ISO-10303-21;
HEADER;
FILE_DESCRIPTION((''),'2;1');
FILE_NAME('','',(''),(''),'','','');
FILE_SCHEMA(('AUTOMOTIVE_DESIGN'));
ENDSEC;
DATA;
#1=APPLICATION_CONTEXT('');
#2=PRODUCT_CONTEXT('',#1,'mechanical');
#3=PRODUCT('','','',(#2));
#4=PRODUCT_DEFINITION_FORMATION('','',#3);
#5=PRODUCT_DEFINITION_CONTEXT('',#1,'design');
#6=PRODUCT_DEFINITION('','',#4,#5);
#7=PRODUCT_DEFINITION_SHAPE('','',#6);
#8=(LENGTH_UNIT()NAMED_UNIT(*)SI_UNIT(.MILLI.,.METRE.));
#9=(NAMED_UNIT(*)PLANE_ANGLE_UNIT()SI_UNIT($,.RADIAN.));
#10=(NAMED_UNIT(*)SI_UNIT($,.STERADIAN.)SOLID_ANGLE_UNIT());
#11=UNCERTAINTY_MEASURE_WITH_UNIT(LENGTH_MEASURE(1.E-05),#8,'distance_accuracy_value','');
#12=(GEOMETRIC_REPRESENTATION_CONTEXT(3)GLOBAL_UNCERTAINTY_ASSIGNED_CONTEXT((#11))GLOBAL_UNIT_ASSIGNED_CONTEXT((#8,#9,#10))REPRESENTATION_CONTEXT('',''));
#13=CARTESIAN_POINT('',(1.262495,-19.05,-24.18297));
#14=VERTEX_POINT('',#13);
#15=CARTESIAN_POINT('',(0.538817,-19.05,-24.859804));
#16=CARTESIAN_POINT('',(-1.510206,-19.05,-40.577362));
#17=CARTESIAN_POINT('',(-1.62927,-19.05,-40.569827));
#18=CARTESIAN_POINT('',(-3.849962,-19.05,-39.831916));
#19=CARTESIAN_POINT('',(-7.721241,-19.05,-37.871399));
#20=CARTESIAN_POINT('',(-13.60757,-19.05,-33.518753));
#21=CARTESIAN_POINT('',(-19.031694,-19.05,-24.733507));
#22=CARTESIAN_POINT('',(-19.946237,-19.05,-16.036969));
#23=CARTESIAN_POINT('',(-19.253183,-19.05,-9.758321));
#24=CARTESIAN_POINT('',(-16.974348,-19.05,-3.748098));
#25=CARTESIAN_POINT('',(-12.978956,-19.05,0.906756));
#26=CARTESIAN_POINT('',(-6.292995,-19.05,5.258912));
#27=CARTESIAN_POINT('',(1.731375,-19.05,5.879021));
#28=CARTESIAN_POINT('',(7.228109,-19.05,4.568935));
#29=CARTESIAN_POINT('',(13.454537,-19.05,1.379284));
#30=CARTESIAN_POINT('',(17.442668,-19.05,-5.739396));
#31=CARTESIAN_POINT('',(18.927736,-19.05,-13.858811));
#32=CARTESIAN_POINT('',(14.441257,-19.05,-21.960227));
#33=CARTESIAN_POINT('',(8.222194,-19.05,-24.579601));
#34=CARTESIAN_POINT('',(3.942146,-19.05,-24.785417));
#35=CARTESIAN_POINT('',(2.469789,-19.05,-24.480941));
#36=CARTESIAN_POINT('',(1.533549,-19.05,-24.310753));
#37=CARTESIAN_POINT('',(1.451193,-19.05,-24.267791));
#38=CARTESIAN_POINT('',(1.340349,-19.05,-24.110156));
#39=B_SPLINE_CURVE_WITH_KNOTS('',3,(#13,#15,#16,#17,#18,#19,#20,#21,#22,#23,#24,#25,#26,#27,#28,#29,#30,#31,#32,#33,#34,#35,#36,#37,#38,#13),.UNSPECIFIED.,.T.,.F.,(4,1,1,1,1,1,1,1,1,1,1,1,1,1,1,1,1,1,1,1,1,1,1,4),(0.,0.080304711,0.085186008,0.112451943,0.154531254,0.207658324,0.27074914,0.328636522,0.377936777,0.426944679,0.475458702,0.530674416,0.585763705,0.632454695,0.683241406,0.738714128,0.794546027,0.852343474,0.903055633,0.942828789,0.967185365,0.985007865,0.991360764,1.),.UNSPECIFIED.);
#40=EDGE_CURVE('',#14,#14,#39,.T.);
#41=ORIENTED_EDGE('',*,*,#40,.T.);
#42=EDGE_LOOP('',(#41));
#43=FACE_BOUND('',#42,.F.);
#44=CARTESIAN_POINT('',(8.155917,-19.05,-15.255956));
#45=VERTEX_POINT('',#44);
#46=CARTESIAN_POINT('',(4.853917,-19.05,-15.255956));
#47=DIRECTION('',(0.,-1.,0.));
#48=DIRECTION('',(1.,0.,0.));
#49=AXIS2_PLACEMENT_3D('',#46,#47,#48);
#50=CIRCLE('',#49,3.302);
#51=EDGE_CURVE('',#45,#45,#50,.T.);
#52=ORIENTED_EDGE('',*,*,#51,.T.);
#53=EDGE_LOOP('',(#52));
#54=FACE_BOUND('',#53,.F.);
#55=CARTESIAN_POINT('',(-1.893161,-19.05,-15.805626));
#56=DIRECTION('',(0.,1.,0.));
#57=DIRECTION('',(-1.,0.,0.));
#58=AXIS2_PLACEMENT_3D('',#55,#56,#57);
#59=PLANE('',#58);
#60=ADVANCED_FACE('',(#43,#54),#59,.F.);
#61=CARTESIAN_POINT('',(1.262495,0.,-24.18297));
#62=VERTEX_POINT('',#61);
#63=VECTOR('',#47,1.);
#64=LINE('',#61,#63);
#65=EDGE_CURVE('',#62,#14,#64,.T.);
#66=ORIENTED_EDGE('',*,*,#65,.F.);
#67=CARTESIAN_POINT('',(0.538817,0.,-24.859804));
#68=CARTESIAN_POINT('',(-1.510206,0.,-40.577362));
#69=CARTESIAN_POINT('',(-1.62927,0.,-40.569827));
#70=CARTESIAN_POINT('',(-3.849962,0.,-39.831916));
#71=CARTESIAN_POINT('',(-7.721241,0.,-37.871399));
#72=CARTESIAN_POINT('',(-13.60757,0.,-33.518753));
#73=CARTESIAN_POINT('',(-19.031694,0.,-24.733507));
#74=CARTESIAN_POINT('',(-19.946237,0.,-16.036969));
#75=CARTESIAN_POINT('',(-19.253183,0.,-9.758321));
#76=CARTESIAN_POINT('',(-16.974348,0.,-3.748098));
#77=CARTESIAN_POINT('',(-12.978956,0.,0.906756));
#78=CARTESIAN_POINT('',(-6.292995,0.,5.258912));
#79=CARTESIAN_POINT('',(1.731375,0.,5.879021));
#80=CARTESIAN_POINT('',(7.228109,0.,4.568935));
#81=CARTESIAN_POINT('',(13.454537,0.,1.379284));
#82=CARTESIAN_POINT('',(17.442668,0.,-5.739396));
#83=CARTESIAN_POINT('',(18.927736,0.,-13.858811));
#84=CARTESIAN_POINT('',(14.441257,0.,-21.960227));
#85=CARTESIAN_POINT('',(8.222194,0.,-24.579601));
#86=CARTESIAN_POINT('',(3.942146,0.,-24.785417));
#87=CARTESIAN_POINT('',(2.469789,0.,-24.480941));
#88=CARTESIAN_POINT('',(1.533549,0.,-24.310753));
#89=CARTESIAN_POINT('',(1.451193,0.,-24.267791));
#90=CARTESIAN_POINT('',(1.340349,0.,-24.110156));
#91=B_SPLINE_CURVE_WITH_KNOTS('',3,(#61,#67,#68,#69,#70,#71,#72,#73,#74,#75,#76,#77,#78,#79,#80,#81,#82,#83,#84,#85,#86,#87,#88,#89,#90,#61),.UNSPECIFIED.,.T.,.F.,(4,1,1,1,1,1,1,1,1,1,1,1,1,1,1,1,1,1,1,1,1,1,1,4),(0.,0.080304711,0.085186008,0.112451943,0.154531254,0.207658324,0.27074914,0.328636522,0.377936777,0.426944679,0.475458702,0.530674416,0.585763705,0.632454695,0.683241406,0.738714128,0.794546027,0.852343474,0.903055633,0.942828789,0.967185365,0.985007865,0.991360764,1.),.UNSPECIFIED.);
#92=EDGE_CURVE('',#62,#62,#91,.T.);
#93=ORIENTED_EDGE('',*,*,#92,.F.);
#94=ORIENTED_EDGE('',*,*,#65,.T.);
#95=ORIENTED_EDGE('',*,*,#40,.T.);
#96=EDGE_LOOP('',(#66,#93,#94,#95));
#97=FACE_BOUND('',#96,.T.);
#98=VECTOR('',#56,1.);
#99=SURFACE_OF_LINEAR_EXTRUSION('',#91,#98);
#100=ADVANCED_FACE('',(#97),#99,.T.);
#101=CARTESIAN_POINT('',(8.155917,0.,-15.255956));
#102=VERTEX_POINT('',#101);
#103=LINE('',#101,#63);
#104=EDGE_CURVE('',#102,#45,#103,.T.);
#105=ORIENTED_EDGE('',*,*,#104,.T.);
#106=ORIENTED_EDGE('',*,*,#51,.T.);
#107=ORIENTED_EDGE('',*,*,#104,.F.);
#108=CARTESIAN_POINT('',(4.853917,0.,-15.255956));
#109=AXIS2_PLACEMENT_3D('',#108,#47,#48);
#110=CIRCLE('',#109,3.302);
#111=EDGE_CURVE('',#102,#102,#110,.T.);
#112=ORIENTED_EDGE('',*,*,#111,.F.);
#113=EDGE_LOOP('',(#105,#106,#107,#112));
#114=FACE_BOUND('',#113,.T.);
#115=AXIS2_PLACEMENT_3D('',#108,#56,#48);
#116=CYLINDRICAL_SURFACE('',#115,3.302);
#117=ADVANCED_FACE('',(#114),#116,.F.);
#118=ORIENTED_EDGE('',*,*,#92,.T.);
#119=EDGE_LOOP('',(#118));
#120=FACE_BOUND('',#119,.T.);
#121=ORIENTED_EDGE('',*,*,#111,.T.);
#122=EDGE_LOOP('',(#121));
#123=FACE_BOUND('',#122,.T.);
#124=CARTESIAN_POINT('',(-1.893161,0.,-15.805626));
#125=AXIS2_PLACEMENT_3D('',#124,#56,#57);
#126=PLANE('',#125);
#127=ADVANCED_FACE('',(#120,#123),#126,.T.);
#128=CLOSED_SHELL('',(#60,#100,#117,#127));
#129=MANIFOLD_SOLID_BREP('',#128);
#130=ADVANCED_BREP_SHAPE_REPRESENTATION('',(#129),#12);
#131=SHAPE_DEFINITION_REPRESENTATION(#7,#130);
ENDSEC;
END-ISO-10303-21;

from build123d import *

# Parameters (mm, degrees)
F0_R     = 3.302
F1_DEPTH = 19.05


with BuildPart() as f1:
    # F0 (on Front) → F1 (new body)
    with BuildSketch(Plane.XZ):
        with BuildLine():
            add(Edge.make_bspline(
                [(1.262495439, -24.1829701894), (0.5388171757, -24.8598039416), (-1.5102056157, -40.5773616836), (-1.6292696238, -40.5698267297), (-3.8499615412, -39.8319155336), (-7.7212412565, -37.8713994399), (-13.607569843, -33.5187527843), (-19.0316937889, -24.7335070621), (-19.9462366722, -16.0369693608), (-19.2531829888, -9.7583205462), (-16.9743481134, -3.7480980292), (-12.9789562326, 0.9067558154), (-6.2929950269, 5.2589117293), (1.7313754738, 5.879020735), (7.2281092759, 4.5689348271), (13.4545367328, 1.3792835843), (17.4426676047, -5.7393964048), (18.9277358648, -13.8588109024), (14.4412571431, -21.9602273728), (8.2221944086, -24.5796006639), (3.9421455983, -24.785417065), (2.4697890279, -24.4809408568), (1.5335488334, -24.3107525192), (1.4511926954, -24.2677911489), (1.3403492441, -24.1101559491), (1.262495439, -24.1829701894)],
                knots=[0, 0, 0, 0, 0.0803047111, 0.0851860076, 0.1124519427, 0.1545312541, 0.2076583242, 0.2707491396, 0.3286365219, 0.3779367774, 0.4269446795, 0.4754587023, 0.5306744159, 0.5857637051, 0.6324546945, 0.683241406, 0.7387141282, 0.7945460274, 0.8523434743, 0.9030556329, 0.942828789, 0.9671853648, 0.9850078655, 0.991360764, 1, 1, 1, 1], degree=3))
        make_face()
        with Locations((4.8539172362, -15.255956356)):
            Circle(F0_R, mode=Mode.SUBTRACT)
    extrude(amount=F1_DEPTH)


solid = f1.part
